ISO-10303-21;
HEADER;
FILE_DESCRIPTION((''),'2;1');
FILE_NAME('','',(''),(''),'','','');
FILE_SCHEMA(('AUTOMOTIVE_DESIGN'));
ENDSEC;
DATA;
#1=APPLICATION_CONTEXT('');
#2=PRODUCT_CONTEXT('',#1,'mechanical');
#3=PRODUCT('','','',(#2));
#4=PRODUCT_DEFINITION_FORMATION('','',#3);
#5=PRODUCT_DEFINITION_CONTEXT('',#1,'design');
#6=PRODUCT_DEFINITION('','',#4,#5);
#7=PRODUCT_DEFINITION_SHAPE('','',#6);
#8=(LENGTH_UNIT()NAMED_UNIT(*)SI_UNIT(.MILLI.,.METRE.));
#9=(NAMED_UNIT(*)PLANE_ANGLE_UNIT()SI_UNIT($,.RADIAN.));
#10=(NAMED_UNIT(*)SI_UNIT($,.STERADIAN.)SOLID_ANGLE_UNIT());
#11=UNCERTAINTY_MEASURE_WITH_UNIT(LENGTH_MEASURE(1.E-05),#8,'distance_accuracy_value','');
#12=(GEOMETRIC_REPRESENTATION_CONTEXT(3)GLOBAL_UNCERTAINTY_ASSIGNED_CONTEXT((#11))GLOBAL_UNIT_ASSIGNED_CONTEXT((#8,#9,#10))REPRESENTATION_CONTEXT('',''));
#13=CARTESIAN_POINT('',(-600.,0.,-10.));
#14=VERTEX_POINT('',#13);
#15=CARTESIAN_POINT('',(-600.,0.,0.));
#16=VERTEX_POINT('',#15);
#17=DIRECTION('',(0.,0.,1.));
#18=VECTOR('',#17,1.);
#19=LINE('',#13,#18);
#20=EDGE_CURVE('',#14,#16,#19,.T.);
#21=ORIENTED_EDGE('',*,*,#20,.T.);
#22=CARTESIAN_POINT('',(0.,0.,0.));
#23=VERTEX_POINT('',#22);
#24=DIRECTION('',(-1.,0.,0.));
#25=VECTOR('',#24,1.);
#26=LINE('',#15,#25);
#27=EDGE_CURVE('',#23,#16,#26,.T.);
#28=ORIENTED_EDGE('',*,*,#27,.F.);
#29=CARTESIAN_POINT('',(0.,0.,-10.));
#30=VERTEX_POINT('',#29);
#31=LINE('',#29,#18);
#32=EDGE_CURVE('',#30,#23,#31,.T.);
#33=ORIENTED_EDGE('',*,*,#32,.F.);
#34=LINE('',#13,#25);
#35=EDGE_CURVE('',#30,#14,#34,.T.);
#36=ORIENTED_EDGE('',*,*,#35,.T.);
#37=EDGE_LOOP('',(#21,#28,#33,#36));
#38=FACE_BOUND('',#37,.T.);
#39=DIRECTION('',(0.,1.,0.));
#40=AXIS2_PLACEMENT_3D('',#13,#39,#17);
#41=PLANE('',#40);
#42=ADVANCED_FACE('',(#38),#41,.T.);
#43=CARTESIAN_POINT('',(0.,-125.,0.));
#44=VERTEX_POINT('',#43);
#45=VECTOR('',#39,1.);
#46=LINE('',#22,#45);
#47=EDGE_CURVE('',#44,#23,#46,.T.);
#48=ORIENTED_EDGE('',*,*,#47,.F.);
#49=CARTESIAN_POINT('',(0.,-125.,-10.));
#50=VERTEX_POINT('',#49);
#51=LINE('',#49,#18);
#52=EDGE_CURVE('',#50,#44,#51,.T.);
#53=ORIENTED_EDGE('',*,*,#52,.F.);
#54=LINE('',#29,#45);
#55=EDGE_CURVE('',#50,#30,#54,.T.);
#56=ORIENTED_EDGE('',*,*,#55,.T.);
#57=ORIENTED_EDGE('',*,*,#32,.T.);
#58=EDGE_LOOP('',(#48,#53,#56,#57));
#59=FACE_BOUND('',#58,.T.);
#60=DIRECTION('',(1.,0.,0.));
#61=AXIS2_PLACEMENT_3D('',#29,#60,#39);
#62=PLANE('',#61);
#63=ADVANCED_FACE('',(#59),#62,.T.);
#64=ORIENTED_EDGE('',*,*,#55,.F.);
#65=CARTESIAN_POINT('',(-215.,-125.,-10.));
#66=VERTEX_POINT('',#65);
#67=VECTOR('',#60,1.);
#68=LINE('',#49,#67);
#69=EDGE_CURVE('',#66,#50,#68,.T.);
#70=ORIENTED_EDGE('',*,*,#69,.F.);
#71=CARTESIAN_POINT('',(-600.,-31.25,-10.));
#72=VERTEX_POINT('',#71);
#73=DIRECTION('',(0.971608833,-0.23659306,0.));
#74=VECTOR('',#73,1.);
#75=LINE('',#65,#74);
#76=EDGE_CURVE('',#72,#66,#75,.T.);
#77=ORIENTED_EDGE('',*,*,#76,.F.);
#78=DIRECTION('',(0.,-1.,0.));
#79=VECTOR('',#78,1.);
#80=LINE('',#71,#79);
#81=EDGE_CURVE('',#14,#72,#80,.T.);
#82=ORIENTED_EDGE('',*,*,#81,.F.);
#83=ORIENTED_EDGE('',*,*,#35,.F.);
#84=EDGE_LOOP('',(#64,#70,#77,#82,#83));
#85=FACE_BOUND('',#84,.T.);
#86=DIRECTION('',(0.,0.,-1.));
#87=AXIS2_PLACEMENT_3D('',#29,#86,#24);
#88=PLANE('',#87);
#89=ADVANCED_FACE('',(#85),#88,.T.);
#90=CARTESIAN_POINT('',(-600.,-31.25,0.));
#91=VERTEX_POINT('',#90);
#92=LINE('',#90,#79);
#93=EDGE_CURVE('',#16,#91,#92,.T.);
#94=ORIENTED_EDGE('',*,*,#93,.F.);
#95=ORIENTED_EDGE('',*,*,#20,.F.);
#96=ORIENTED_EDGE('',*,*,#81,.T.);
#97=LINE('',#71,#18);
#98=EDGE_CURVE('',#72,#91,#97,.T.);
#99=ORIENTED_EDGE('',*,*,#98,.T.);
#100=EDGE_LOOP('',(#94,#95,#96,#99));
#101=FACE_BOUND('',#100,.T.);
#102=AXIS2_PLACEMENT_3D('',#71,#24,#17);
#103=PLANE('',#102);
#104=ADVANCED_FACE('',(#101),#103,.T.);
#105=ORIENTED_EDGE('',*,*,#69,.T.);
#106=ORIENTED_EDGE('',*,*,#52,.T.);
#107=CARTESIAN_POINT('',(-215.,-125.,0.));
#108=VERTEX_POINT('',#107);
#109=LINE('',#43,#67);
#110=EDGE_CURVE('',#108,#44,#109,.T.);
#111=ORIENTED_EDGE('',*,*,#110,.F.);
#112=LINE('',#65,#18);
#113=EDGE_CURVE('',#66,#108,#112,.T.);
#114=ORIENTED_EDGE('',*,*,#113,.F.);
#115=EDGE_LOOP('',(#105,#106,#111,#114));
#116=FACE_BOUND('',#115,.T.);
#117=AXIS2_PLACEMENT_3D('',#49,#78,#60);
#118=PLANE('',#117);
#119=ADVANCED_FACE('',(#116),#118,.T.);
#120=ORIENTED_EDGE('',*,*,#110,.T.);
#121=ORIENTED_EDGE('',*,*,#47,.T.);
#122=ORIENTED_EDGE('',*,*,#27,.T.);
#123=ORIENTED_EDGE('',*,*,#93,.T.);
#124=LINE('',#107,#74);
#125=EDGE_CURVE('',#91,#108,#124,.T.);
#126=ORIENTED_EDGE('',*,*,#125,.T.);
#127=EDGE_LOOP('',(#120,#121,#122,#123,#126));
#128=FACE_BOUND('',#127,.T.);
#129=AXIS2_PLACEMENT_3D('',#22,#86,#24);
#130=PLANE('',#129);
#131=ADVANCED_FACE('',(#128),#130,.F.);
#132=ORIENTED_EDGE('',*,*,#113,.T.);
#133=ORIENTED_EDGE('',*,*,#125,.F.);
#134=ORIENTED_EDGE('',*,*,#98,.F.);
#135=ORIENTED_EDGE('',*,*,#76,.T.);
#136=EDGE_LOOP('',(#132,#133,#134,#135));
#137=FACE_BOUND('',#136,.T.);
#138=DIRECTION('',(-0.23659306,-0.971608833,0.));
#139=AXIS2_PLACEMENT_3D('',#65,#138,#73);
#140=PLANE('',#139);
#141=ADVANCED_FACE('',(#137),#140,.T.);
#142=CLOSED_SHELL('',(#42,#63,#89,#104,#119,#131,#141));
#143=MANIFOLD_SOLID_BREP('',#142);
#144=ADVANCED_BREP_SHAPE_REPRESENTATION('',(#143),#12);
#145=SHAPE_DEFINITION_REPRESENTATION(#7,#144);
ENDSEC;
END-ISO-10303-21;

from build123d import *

# Parameters (mm, degrees)
BOSS_EXTRU_1_DEPTH = 10


with BuildPart() as part:
    # Esquisse1 → Boss.-Extru.1 (new body)
    with BuildSketch(Plane.XY):
        Polygon((-600, 0), (0, 0), (0, -125), (-215, -125), (-600, -31.25), align=None)
    extrude(amount=-BOSS_EXTRU_1_DEPTH)


solid = part.part
